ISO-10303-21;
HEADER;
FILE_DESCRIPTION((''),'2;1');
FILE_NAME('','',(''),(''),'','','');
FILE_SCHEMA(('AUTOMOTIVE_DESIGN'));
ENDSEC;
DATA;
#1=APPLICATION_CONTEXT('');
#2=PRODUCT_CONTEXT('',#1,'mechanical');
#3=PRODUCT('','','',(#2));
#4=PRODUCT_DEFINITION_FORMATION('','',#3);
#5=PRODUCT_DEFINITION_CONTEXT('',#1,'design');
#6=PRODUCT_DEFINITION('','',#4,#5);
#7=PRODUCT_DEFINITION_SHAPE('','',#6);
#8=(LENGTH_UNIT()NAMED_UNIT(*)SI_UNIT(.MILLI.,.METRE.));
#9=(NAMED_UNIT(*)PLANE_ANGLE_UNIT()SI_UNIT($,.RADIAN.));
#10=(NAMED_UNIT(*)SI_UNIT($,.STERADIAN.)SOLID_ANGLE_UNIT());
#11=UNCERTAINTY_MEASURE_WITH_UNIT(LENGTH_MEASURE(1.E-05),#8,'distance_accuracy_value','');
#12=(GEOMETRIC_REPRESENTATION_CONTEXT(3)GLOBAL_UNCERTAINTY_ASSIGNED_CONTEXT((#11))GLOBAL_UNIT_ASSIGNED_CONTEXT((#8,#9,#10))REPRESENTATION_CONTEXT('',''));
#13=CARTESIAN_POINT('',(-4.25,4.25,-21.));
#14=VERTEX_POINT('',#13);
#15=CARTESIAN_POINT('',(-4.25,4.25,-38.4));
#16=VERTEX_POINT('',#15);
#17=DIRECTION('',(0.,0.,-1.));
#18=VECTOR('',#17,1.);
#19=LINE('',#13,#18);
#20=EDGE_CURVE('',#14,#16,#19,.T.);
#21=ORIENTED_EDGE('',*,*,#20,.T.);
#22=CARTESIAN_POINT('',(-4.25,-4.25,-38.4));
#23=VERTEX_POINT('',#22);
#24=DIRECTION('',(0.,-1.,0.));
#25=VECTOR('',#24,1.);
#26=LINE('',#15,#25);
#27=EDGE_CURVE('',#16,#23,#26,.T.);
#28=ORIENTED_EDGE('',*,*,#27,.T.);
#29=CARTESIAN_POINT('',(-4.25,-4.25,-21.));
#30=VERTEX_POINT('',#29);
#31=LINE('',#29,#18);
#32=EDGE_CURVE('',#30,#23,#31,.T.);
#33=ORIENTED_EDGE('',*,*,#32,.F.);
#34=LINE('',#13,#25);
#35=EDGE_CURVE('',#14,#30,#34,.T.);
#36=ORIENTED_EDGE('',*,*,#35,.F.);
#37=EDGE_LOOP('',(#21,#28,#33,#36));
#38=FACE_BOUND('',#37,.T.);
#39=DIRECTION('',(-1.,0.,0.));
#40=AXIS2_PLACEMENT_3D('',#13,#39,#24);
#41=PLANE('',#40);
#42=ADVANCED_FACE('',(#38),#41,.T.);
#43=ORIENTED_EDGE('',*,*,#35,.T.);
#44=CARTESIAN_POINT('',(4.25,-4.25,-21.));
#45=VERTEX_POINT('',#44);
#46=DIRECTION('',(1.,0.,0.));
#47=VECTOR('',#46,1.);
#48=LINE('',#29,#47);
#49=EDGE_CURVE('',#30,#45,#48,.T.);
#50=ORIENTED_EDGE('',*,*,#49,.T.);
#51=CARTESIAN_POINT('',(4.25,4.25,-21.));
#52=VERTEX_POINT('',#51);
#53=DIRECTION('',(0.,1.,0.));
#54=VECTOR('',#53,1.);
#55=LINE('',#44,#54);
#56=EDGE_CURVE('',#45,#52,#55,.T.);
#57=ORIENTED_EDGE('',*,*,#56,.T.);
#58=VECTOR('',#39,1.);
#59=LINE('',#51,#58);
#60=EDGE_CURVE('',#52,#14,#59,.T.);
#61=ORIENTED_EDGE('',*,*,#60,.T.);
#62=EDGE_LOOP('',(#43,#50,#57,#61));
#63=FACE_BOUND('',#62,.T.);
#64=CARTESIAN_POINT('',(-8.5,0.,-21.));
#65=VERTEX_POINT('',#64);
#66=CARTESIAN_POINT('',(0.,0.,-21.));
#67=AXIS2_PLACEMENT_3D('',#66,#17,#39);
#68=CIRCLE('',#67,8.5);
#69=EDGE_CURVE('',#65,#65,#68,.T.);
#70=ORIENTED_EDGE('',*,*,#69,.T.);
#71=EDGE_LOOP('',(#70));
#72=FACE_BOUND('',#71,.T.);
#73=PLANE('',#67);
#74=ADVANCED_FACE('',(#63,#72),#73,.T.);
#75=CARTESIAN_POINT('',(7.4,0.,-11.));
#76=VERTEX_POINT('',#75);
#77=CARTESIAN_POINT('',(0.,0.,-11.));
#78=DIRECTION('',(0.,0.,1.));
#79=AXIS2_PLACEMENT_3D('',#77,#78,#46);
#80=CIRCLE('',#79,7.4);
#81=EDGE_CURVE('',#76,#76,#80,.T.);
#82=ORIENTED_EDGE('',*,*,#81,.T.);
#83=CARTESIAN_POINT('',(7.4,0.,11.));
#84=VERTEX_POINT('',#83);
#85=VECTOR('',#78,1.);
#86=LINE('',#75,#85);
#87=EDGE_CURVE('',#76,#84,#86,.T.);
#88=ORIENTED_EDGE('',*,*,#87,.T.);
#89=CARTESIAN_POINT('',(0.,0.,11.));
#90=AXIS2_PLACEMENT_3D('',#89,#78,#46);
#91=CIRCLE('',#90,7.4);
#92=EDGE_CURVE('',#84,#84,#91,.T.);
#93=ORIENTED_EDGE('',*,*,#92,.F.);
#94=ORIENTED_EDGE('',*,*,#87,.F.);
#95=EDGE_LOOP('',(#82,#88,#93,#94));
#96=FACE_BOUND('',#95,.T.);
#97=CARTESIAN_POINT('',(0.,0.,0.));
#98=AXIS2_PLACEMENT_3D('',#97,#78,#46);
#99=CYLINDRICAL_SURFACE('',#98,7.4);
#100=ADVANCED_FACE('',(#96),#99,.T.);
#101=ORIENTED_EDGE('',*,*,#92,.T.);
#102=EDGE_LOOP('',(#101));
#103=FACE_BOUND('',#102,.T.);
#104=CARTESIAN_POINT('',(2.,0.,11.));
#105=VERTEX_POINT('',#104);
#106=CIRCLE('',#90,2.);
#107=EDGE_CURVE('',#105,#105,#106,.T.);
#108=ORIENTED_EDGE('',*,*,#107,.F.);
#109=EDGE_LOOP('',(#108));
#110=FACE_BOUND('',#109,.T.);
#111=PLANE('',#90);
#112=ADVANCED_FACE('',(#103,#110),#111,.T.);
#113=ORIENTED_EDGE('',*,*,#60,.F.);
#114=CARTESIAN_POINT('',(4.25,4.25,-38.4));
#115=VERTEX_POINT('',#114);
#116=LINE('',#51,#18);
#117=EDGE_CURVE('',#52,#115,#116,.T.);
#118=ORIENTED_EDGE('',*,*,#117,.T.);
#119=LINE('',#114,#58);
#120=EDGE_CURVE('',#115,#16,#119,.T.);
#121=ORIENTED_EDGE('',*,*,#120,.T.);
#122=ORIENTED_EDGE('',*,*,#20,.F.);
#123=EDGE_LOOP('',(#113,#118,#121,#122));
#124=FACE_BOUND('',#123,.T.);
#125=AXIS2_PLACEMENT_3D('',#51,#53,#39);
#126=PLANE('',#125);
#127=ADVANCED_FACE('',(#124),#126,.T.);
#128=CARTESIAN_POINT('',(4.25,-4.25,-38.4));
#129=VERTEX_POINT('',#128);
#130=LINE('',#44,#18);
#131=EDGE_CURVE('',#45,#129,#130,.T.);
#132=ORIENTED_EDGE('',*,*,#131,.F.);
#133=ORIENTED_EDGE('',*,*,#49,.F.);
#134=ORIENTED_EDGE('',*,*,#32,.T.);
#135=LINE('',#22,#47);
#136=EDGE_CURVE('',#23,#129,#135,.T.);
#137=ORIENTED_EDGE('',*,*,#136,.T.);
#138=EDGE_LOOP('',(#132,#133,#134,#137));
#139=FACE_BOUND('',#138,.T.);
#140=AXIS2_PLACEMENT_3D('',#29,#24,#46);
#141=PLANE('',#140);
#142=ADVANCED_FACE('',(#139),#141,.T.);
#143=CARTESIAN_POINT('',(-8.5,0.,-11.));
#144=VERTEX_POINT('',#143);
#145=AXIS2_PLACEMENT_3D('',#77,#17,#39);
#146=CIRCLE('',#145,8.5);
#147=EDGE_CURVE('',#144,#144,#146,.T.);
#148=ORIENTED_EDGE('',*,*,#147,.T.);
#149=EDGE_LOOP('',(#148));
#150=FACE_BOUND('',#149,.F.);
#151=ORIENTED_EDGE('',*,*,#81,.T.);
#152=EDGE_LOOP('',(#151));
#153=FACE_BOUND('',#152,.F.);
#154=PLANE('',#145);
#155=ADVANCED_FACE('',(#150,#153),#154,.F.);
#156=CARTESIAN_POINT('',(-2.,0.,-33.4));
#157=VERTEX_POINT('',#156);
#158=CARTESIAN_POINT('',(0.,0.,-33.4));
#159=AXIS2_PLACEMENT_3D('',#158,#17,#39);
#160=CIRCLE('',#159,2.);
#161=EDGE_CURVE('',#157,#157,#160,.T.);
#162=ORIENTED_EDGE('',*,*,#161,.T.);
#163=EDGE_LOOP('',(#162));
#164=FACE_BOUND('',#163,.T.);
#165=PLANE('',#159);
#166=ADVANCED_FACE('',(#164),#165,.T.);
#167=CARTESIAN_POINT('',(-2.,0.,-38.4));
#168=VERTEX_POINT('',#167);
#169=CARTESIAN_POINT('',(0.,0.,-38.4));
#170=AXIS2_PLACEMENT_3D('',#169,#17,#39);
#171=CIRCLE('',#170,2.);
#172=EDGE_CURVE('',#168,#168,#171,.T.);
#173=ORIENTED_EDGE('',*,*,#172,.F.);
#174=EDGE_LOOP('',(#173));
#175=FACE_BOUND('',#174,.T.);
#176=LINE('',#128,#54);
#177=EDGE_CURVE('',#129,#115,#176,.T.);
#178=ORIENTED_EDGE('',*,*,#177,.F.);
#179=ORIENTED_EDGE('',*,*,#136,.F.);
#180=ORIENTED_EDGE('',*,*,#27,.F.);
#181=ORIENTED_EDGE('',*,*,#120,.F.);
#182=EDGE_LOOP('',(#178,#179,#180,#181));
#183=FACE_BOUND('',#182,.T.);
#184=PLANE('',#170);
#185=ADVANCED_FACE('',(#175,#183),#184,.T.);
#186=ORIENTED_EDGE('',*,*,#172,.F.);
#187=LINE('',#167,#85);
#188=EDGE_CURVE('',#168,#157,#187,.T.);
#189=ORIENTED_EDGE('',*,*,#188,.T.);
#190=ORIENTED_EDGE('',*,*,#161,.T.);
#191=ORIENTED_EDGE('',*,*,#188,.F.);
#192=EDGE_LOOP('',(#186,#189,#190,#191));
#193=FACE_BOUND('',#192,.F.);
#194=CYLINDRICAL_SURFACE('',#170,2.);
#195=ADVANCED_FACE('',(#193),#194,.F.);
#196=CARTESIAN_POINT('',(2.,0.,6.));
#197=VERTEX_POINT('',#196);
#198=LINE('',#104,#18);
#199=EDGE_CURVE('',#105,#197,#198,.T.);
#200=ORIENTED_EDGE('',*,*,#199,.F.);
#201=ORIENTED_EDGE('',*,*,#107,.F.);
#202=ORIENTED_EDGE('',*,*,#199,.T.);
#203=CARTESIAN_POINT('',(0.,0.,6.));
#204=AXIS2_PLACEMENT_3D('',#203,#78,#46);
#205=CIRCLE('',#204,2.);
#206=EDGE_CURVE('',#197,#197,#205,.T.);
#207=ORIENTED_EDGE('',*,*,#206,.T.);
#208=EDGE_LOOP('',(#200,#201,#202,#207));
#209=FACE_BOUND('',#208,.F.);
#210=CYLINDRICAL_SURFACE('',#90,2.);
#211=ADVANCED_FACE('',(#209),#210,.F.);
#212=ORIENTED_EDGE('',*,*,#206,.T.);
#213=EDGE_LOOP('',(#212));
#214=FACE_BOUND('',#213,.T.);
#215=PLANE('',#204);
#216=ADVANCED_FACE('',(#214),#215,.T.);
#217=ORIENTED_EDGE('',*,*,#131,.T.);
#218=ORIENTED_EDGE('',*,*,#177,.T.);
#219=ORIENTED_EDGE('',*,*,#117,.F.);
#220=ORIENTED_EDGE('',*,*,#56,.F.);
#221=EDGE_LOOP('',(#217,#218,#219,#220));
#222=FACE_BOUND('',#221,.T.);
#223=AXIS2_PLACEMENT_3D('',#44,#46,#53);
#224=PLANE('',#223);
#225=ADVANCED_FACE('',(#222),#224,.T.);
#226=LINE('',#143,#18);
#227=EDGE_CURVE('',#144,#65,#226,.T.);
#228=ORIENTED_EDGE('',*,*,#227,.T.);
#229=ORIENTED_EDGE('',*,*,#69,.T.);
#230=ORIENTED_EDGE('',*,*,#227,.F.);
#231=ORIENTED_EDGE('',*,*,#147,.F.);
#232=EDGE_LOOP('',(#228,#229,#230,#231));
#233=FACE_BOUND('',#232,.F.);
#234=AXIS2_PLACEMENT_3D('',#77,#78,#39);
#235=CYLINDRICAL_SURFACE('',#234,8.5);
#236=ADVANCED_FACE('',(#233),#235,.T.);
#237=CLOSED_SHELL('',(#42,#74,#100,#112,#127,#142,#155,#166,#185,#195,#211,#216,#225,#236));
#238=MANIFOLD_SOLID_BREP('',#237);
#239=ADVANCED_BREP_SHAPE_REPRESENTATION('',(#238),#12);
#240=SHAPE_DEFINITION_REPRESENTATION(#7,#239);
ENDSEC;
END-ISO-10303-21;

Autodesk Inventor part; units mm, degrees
ref_plane "XZ Plane" through (0, 0, 0) normal (0, 1, 0) x (-1, 0, 0)
ref_plane "XY Plane" through (0, 0, 0) normal (0, 0, 1) x (1, 0, 0)
sketch "Skizze1" plane through (0, 0, 0) normal (0, 0, 1) x (1, 0, 0)
  circle A0 centre (0, 0) radius 7.4
  dimension "d0" = 14.8
extrude "Extrusion1" add sketch "Skizze1" along normal mid plane 22
sketch "Skizze2" plane through (0, 0, -11) normal (0, 0, -1) x (-1, 0, 0)
  circle A0 centre (0, 0) radius 8.5
  dimension "d3" = 17
extrude "Extrusion2" add sketch "Skizze2" along normal blind 10
sketch "Skizze3" plane through (0, 0, -21) normal (0, 0, -1) x (-1, 0, 0)
  line L0 (-4.25, 4.25) -> (4.25, 4.25)
  line L1 (4.25, 4.25) -> (4.25, -4.25)
  line L2 (4.25, -4.25) -> (-4.25, -4.25)
  line L3 (-4.25, -4.25) -> (-4.25, 4.25)
  line L4 (-4.25, 4.25) -> (4.25, -4.25) construction
  line L5 (4.25, 4.25) -> (-4.25, -4.25) construction
  point P0 (0, 0)
  dimension "d6" = 8.5
  dimension "d7" = 8.5
extrude "Extrusion3" add sketch "Skizze3" along normal blind 17.4
sketch "Skizze4" plane through (0, 0, 11) normal (0, 0, 1) x (1, 0, 0)
  circle A0 centre (0, 0) radius 2
  dimension "d10" = 4
extrude "Extrusion4" cut sketch "Skizze4" against normal blind 5
sketch "Skizze5" plane through (0, 0, -38.4) normal (0, 0, -1) x (-1, 0, 0)
  circle A0 centre (0, 0) radius 2
  dimension "d13" = 4
extrude "Extrusion5" cut sketch "Skizze5" against normal blind 5
properties part number "_3D-Druck"
